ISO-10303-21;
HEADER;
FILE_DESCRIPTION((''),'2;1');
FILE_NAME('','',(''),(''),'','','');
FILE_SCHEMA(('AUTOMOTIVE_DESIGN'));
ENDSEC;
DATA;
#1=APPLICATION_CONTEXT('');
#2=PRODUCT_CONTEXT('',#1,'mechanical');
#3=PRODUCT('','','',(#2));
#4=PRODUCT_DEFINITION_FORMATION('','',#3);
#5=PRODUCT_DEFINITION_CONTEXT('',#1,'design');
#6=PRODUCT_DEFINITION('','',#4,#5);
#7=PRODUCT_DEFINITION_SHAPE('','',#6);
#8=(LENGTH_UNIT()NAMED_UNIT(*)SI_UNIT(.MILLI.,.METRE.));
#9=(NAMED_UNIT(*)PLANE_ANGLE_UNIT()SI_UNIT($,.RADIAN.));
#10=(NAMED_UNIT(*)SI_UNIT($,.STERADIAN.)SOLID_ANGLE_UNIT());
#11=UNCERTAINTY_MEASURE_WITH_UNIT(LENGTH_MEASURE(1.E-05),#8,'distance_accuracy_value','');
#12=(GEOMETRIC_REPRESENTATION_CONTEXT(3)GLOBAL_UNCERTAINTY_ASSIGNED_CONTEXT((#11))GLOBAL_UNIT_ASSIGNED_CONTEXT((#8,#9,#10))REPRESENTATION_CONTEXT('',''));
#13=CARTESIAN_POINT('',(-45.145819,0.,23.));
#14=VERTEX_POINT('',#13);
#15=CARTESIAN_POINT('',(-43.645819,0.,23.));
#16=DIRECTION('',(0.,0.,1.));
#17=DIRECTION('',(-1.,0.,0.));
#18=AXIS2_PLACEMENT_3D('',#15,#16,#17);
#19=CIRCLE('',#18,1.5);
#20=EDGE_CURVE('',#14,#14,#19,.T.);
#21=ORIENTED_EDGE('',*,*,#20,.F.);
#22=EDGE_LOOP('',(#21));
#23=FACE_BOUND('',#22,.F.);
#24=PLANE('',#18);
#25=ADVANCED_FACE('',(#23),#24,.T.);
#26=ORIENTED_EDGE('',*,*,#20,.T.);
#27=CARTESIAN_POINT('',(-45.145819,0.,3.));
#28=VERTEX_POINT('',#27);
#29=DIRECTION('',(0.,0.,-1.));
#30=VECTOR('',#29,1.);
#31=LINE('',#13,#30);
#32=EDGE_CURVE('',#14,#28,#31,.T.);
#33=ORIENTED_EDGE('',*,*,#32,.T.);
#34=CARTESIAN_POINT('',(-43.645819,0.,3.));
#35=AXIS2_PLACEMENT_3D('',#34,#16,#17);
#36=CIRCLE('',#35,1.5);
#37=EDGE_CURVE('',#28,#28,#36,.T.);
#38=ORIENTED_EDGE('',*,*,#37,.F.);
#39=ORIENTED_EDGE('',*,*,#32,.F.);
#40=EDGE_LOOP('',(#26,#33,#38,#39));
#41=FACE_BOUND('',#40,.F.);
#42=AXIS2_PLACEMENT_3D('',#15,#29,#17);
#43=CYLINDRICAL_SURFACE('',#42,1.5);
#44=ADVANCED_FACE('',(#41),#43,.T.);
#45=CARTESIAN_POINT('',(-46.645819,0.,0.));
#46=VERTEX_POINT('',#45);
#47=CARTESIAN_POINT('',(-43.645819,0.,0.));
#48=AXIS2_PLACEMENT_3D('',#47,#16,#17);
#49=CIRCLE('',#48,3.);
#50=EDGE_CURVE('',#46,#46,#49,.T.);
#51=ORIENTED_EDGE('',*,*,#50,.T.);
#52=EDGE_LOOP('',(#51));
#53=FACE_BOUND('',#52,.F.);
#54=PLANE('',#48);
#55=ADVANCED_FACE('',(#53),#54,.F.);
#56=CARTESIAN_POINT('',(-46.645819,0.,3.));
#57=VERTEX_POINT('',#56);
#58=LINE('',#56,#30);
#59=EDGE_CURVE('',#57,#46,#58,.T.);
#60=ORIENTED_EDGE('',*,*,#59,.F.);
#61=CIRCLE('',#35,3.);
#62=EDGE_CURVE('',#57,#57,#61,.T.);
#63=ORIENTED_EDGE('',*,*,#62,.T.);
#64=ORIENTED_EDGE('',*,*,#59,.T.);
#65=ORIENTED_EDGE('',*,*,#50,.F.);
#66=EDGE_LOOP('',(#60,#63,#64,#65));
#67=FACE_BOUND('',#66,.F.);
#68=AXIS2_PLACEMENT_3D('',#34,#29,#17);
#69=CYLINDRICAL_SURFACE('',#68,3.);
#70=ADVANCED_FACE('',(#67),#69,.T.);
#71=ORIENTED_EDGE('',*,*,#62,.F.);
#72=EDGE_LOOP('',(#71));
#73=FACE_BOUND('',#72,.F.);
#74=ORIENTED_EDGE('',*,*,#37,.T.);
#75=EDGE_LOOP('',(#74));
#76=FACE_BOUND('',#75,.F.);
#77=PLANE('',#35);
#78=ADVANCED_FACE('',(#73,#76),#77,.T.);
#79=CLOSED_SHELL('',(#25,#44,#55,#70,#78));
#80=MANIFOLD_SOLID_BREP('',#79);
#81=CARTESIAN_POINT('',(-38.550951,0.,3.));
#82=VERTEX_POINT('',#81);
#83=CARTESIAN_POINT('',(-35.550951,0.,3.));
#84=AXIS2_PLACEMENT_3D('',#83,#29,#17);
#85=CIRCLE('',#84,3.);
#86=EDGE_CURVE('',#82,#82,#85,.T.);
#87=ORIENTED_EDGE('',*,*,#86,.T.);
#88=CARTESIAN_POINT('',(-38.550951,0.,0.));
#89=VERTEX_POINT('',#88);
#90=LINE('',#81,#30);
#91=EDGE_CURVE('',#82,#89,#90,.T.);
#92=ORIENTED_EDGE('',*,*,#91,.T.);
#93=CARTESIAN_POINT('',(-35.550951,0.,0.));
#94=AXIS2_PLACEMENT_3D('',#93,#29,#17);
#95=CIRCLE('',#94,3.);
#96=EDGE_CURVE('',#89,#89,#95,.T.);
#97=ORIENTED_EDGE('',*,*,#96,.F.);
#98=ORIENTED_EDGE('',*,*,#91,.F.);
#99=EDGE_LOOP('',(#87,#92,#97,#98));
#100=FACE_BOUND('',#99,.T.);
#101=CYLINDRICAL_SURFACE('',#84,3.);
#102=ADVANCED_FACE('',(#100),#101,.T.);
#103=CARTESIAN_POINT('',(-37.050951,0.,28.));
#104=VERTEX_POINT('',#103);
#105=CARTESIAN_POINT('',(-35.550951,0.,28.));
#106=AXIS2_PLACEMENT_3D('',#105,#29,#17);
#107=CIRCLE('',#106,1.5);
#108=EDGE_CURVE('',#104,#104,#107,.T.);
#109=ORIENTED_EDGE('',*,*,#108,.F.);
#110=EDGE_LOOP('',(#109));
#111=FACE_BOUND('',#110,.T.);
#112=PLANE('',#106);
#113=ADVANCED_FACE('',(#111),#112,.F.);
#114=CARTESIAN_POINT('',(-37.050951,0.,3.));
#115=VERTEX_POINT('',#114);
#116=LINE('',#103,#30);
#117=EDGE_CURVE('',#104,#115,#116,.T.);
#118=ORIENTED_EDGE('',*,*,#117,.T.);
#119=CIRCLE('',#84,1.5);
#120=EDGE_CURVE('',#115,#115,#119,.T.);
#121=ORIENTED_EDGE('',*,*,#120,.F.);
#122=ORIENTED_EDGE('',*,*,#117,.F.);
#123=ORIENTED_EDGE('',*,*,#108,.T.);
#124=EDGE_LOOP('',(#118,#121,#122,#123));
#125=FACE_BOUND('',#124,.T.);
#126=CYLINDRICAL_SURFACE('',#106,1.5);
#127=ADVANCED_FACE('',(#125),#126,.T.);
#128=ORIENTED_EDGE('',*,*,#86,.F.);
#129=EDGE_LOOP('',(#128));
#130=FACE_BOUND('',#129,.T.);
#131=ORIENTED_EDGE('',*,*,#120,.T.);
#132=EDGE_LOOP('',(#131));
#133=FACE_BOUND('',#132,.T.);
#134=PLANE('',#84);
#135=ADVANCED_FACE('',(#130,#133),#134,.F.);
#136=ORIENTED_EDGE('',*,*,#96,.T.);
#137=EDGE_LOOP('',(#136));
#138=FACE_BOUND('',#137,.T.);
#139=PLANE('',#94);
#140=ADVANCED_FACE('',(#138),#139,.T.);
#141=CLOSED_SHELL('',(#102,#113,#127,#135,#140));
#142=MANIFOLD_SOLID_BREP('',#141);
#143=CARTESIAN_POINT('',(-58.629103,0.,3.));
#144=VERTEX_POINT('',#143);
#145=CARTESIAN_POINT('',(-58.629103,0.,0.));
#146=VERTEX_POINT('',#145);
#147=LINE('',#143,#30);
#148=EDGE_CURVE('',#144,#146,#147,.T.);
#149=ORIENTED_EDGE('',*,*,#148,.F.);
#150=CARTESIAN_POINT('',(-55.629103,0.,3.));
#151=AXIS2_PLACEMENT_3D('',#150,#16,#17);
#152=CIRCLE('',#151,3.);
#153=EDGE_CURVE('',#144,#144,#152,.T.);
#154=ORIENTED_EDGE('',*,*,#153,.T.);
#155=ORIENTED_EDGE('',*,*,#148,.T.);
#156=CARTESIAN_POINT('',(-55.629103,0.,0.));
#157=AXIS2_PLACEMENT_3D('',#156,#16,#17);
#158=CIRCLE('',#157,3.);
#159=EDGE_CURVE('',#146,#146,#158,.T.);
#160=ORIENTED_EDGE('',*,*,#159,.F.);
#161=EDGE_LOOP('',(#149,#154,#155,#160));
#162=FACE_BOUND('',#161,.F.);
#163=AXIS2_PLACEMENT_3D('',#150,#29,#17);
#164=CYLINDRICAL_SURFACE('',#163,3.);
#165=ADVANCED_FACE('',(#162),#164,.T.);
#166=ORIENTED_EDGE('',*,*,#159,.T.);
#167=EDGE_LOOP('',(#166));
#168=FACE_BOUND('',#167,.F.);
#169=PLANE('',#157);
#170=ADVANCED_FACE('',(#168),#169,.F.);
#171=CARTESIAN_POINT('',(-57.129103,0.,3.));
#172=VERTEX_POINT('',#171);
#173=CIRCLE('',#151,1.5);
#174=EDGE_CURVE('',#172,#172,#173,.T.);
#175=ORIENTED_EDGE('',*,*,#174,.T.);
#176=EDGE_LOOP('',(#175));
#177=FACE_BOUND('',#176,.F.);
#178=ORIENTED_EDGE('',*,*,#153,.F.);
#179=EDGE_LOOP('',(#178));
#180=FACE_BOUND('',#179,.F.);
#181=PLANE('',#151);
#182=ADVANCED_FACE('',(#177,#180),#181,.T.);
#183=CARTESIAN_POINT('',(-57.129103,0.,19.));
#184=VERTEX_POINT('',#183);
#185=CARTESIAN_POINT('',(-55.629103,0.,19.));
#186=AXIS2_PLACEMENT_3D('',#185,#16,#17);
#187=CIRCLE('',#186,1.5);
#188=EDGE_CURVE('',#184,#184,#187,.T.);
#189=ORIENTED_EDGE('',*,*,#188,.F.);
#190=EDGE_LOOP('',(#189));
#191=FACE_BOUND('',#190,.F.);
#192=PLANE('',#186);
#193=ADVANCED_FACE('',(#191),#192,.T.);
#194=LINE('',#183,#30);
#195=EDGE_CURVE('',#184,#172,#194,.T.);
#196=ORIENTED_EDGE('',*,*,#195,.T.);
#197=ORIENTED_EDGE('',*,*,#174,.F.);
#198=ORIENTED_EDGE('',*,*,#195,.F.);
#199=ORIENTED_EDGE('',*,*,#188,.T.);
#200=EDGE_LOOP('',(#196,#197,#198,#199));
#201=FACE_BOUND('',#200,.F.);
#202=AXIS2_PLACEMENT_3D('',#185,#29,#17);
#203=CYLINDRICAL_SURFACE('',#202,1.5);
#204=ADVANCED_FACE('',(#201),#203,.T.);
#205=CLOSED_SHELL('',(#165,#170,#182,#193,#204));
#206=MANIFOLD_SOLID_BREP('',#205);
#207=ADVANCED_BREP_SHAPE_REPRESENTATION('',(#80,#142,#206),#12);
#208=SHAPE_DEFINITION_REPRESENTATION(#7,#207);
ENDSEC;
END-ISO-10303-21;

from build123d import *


with BuildPart() as f1:
    # F0 (on Front) → F1 (revolve)
    with BuildSketch(Plane.XZ):
        Polygon((-46.645819, 0), (-43.645819, 0), (-43.645819, 23), (-45.145819, 23), (-45.145819, 3), (-46.645819, 3), align=None)
    revolve(axis=Axis((-43.645819, 0, 11.5), (0, 0, 1)))


with BuildPart() as f2:
    # F0 (on Front) → F2 (revolve)
    with BuildSketch(Plane.XZ):
        Polygon((-38.550951, 3), (-38.550951, 0), (-35.550951, 0), (-35.550951, 28), (-37.050951, 28), (-37.050951, 3), align=None)
    revolve(axis=Axis((-35.550951, 0, 14), (0, 0, -1)))


with BuildPart() as f3:
    # F0 (on Front) → F3 (revolve)
    with BuildSketch(Plane.XZ):
        Polygon((-58.629103, 3), (-58.629103, 0), (-55.629103, 0), (-55.629103, 19), (-57.129103, 19), (-57.129103, 3), align=None)
    revolve(axis=Axis((-55.629103, 0, 9.5), (0, 0, 1)))


solid = Compound([f1.part, f2.part, f3.part])
